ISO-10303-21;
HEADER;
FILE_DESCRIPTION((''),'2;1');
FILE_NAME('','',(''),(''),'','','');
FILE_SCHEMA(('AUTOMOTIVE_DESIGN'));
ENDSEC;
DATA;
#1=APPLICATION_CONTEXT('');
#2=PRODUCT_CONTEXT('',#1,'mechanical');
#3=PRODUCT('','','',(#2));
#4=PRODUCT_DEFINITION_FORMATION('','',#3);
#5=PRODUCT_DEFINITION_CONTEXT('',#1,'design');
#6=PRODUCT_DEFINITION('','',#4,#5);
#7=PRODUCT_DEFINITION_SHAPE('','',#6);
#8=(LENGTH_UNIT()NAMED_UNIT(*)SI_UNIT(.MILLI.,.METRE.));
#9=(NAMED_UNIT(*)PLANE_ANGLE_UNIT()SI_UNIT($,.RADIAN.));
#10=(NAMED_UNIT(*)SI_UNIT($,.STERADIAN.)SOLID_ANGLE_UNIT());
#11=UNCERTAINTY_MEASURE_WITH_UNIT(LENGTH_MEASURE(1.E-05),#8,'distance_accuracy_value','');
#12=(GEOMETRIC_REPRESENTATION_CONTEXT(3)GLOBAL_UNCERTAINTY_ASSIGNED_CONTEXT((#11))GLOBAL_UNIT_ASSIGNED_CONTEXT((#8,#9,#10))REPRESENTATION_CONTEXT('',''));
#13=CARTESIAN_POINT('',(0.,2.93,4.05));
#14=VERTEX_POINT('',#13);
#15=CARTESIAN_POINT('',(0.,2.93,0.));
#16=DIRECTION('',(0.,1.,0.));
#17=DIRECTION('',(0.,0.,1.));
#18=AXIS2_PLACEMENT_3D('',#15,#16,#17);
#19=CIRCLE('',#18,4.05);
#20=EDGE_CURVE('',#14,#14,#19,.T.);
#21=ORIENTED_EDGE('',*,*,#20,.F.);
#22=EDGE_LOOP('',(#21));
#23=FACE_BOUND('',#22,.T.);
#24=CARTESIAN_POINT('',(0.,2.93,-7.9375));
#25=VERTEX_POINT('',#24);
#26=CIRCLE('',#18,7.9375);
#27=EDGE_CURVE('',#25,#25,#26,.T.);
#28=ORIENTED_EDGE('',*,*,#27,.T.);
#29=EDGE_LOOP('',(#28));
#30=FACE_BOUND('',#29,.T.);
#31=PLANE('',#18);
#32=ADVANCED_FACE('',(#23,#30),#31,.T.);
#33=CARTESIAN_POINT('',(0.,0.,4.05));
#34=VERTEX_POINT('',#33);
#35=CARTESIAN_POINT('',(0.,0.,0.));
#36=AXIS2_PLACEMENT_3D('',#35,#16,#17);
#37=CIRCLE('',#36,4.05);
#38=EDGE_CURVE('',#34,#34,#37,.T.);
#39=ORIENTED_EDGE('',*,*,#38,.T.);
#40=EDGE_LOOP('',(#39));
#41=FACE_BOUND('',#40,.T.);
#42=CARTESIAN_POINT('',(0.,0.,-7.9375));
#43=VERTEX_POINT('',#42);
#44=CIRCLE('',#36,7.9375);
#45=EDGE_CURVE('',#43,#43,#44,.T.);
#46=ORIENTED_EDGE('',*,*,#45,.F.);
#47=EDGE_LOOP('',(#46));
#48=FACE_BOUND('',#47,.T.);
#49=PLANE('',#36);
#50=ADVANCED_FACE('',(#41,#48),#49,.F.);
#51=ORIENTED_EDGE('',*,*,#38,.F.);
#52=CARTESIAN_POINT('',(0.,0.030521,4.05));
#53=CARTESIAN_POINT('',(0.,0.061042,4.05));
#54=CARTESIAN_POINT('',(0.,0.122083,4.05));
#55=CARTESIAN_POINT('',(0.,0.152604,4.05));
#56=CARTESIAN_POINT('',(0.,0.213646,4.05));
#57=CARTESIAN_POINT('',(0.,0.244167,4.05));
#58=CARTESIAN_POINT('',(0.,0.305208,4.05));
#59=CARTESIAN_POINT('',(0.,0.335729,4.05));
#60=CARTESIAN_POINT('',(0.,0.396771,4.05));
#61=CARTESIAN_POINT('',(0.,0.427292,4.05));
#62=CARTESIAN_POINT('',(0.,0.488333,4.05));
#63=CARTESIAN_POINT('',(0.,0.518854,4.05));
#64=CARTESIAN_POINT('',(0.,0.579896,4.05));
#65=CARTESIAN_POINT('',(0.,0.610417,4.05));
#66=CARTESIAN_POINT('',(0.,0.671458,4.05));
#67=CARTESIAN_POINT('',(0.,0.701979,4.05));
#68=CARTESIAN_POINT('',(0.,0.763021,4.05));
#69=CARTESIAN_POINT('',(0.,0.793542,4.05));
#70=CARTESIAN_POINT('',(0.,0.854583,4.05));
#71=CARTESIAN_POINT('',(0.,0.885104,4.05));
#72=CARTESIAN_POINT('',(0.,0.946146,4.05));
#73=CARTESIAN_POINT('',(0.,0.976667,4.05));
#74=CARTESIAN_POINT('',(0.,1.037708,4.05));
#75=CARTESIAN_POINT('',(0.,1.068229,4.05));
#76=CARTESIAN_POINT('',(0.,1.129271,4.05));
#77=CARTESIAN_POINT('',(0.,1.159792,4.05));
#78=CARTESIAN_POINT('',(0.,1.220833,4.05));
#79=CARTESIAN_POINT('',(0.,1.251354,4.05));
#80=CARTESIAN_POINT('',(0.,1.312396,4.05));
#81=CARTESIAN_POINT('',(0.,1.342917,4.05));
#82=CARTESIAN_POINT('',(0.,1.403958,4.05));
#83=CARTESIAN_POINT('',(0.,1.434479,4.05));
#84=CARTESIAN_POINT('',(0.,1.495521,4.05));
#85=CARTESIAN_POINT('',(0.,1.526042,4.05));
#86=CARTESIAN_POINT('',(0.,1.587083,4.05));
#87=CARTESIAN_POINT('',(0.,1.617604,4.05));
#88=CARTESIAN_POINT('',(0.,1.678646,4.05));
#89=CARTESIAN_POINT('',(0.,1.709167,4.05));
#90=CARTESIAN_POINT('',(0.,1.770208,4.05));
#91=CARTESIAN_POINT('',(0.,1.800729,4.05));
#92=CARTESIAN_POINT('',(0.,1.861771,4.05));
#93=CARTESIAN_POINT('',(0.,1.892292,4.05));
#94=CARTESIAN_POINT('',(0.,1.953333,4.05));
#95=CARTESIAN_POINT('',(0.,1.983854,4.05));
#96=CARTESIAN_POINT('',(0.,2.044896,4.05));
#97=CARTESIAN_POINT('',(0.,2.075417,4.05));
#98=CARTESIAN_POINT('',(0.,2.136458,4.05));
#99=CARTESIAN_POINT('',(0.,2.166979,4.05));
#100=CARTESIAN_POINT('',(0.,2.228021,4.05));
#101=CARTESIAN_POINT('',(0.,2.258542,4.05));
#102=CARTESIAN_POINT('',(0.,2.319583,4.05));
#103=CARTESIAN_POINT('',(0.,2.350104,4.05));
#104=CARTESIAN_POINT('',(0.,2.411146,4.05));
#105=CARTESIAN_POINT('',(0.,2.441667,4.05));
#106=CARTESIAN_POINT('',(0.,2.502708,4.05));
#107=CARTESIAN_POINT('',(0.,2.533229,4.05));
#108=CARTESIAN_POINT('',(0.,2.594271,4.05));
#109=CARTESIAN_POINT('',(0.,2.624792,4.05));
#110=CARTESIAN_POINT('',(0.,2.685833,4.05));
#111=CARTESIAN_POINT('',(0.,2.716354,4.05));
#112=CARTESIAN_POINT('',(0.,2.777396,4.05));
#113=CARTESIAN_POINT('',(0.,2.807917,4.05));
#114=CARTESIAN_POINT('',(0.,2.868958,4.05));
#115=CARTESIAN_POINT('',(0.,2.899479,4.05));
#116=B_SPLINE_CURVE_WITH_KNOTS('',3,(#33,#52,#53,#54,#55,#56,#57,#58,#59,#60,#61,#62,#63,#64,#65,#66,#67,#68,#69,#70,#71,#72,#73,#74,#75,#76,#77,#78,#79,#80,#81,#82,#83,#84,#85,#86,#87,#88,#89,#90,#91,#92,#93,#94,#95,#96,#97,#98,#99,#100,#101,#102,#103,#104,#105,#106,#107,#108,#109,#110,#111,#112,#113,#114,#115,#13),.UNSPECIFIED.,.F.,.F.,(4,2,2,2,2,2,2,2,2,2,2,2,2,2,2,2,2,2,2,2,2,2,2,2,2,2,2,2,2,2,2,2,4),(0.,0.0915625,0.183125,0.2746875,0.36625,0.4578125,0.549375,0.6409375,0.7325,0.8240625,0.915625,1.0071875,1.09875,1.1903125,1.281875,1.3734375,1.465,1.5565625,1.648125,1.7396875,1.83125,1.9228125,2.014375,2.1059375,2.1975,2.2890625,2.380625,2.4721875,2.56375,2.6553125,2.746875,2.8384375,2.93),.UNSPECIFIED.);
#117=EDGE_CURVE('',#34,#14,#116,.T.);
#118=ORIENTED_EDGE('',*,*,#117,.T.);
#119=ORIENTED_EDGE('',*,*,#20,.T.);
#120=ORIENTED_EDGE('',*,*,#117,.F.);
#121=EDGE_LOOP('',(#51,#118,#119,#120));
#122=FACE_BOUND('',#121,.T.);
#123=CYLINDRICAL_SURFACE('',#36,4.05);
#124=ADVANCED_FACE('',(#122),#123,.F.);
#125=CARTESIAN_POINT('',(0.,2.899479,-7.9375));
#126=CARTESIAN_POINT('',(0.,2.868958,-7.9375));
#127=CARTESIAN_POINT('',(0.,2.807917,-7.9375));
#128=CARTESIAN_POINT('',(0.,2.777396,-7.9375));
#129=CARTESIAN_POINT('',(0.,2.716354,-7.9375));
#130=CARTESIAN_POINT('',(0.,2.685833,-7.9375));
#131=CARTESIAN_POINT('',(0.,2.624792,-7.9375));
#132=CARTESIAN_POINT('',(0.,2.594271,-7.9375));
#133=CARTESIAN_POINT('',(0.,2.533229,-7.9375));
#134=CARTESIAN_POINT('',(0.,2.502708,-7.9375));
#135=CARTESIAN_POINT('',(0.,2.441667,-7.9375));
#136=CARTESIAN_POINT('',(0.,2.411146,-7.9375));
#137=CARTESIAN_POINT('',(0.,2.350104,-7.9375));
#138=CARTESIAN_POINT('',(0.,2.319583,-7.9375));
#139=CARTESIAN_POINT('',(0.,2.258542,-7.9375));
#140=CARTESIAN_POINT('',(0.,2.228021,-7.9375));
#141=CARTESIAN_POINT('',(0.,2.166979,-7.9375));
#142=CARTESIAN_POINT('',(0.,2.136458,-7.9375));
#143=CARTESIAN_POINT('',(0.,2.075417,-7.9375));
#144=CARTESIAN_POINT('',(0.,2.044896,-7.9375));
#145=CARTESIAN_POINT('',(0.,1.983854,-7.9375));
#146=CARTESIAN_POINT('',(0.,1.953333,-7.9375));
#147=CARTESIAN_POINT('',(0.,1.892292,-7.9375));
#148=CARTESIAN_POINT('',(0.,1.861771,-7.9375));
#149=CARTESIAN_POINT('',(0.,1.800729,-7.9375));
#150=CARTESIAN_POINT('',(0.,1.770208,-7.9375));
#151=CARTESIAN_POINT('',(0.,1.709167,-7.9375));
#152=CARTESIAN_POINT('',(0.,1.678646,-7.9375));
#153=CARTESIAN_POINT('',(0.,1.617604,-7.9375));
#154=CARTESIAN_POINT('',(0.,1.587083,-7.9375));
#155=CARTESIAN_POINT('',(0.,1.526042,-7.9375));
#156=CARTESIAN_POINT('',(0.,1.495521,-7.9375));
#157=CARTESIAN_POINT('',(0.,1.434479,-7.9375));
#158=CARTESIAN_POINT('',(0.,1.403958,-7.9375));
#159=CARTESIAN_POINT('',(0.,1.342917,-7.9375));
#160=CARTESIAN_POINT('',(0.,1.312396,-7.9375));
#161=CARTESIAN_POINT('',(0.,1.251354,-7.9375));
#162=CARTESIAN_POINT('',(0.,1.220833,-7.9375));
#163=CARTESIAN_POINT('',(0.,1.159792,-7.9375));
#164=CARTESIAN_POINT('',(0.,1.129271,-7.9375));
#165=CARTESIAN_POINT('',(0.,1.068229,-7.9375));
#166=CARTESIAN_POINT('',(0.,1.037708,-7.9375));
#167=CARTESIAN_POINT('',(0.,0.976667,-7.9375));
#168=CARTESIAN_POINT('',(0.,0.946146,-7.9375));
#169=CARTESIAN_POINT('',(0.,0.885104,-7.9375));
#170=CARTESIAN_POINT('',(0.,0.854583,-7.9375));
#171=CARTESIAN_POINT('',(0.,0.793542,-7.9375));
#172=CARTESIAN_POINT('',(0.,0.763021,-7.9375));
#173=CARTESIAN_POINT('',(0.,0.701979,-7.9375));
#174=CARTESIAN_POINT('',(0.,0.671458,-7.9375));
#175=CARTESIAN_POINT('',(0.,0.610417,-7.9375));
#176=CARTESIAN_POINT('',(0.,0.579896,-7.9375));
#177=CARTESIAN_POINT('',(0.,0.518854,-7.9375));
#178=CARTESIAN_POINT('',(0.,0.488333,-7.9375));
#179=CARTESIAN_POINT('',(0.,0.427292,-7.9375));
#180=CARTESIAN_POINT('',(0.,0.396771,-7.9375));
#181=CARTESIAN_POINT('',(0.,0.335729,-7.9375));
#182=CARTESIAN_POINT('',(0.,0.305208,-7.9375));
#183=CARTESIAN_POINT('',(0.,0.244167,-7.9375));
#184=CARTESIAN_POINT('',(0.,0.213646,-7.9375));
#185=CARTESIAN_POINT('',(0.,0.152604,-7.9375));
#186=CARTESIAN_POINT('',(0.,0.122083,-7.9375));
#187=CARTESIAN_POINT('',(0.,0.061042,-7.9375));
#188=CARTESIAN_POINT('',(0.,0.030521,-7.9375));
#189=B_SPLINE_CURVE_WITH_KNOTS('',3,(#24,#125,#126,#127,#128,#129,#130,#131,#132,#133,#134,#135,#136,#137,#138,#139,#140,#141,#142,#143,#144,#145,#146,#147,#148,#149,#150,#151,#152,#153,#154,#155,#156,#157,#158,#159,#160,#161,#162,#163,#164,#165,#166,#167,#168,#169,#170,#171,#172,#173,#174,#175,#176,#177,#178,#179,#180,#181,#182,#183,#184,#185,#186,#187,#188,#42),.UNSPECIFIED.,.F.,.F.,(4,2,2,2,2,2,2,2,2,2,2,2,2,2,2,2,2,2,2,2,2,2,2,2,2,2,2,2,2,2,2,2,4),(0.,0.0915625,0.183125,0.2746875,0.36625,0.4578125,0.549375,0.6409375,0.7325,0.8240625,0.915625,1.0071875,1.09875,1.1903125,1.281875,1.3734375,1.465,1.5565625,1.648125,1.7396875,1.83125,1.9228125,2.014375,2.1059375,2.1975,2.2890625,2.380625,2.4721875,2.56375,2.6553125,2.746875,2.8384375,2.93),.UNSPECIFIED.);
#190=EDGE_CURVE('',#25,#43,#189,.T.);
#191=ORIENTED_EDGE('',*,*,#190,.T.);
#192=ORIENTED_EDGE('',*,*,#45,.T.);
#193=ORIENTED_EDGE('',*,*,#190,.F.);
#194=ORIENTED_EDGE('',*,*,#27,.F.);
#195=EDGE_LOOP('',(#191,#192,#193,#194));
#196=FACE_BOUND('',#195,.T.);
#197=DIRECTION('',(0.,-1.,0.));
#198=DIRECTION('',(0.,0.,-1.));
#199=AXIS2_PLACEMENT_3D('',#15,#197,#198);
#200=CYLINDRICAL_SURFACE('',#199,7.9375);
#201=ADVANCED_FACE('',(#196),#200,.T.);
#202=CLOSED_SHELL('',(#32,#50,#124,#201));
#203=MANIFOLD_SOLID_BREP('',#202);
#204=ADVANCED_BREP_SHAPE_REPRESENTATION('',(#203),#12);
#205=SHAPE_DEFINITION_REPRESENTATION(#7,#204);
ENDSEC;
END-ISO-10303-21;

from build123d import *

# Parameters (mm, degrees)
SKETCH1_R           = 7.9375
BOSS_EXTRUDE1_DEPTH = 2.93
SKETCH3_R           = 4.05
CUT_EXTRUDE2_DEPTH  = 12.601409936


with BuildPart() as part:
    # Sketch1 → Boss-Extrude1 (new body)
    with BuildSketch(Plane(origin=(0, 0, 0), x_dir=(1, 0, 0), z_dir=(0, 1, 0))):
        with Locations(Location((0, 0, 0), (0, 0, 90))):
            Circle(SKETCH1_R)
    extrude(amount=BOSS_EXTRUDE1_DEPTH)

    # Sketch3 → Cut-Extrude2 (cut, through all)
    with BuildSketch(Plane(origin=(0, 2.93, 0), x_dir=(1, 0, 0), z_dir=(0, 1, 0))):
        with Locations(Location((0, 0, 0), (0, 0, 270))):
            Circle(SKETCH3_R)
    extrude(amount=-CUT_EXTRUDE2_DEPTH, mode=Mode.SUBTRACT)


solid = part.part
